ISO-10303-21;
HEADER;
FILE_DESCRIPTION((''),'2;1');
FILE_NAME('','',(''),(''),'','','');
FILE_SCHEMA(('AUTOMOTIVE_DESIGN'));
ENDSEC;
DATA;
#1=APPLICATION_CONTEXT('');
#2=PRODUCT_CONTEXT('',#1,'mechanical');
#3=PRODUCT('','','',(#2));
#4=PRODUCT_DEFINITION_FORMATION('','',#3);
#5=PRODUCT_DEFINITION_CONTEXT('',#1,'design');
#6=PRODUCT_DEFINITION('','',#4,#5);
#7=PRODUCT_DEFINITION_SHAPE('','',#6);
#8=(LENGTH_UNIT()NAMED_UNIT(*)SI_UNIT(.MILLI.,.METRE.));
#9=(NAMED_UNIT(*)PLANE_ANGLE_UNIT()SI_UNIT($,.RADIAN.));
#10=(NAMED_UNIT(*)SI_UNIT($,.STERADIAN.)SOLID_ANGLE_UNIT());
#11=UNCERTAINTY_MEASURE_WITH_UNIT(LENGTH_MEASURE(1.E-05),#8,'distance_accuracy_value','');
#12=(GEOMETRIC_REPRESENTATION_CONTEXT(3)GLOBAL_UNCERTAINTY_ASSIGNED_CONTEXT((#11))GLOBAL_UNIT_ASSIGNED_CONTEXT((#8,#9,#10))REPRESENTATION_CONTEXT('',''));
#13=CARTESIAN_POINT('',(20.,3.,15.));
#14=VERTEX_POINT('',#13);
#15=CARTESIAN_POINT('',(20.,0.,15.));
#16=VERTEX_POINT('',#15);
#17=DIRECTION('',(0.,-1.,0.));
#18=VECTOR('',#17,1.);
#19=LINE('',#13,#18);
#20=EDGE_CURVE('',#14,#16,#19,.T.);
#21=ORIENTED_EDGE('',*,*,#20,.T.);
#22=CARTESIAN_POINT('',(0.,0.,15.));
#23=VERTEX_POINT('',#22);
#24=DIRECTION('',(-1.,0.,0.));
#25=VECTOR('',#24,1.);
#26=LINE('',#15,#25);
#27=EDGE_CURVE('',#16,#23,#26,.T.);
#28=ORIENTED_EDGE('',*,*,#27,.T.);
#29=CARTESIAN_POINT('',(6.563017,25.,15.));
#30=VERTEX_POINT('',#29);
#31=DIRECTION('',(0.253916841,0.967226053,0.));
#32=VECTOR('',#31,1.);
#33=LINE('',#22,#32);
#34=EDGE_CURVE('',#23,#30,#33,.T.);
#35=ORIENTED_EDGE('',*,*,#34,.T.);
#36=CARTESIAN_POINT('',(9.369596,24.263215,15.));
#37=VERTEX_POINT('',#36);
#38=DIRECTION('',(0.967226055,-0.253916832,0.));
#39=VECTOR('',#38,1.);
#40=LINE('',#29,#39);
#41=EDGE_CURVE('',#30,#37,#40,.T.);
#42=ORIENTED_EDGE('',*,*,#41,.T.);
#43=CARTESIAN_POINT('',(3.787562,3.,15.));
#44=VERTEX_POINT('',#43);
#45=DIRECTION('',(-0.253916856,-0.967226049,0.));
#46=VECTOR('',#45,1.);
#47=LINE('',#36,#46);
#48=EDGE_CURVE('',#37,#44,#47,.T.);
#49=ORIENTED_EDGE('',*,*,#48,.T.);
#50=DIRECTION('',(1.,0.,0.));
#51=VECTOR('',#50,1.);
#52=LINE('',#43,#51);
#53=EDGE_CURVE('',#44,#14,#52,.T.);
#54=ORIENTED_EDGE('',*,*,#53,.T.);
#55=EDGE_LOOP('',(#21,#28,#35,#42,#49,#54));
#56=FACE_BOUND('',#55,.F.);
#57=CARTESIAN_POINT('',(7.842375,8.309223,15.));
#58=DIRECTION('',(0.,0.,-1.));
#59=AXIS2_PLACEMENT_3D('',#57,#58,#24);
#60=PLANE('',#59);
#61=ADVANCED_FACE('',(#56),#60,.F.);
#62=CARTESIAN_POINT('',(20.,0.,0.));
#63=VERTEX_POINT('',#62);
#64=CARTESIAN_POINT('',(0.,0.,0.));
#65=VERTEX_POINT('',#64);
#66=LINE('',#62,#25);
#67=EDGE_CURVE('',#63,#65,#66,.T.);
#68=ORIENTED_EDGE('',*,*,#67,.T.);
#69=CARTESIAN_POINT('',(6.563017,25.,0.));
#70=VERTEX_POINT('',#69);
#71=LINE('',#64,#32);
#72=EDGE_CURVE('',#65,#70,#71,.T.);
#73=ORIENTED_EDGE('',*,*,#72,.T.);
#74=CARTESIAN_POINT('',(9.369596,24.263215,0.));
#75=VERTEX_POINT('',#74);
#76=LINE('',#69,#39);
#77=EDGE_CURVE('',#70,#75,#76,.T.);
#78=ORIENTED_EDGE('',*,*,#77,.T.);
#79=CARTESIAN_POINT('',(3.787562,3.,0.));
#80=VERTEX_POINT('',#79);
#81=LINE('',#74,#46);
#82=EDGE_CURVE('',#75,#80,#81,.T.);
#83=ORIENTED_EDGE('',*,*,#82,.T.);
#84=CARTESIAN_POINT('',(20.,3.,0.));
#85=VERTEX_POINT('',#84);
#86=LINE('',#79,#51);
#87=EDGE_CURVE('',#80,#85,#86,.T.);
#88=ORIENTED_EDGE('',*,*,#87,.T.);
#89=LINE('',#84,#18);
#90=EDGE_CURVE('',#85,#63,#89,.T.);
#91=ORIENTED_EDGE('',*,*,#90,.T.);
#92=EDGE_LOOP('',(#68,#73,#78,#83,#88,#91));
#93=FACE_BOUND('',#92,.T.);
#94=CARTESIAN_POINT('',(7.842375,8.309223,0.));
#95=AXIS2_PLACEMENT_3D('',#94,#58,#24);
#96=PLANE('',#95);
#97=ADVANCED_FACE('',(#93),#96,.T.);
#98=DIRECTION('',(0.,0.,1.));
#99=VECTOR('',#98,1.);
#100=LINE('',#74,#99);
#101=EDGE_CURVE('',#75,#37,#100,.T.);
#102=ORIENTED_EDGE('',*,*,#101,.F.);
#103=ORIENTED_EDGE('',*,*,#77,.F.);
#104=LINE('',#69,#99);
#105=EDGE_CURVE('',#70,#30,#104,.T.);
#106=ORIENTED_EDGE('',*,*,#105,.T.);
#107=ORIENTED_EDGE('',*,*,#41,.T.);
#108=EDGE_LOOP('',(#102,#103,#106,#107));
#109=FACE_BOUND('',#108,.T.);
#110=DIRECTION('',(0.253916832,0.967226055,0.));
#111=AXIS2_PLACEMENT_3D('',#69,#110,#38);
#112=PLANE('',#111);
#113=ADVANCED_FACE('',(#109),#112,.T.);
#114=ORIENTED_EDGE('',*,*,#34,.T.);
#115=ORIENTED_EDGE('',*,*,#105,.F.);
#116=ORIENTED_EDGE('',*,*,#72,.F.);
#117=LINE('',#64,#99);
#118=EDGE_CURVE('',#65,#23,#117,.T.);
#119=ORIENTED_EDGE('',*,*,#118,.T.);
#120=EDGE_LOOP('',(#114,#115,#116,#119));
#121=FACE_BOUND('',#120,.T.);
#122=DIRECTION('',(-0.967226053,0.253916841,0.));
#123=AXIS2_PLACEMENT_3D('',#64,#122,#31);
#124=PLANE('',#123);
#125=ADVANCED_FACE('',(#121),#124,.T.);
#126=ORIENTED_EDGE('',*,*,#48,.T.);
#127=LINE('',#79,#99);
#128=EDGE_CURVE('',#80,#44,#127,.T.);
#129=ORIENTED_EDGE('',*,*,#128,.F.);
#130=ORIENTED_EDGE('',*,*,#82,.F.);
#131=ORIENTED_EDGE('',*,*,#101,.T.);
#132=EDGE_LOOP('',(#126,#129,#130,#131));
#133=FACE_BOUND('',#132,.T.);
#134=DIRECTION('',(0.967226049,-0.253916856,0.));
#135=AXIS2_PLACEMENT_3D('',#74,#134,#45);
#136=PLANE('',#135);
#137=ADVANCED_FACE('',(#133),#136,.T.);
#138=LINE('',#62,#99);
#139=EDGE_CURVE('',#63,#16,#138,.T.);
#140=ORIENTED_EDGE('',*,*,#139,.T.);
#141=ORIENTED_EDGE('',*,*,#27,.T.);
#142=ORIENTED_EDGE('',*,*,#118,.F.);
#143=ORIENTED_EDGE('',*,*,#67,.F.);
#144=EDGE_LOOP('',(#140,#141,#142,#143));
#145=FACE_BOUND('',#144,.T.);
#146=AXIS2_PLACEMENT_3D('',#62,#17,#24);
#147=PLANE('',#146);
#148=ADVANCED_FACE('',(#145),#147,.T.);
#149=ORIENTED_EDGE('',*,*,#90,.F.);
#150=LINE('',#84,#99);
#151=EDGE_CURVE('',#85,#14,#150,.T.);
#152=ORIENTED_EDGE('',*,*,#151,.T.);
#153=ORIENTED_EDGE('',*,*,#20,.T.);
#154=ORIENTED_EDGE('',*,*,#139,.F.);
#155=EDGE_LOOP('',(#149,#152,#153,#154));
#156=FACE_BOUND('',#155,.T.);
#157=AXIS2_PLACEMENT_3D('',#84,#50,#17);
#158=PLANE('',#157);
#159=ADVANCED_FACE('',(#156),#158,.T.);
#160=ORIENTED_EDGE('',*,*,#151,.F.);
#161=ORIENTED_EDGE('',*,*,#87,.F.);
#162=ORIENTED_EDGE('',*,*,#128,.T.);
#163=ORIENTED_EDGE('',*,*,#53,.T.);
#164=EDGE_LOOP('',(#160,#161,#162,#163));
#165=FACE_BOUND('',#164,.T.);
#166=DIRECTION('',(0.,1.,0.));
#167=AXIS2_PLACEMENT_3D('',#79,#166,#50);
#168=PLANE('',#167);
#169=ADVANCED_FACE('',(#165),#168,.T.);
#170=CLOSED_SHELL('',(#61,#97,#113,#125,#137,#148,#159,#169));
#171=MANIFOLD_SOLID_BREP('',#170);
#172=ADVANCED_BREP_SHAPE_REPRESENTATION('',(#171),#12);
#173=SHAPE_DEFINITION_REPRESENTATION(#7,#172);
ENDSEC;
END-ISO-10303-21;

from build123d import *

# Parameters (mm, degrees)
PAD_DEPTH = 15


with BuildPart() as part:
    # Sketch → Pad (new body)
    with BuildSketch(Plane.XY):
        Polygon((20, 0), (0, 0), (6.563017, 25), (9.369596, 24.263215), (3.787562, 3), (20, 3), align=None)
    extrude(amount=PAD_DEPTH)


solid = part.part
